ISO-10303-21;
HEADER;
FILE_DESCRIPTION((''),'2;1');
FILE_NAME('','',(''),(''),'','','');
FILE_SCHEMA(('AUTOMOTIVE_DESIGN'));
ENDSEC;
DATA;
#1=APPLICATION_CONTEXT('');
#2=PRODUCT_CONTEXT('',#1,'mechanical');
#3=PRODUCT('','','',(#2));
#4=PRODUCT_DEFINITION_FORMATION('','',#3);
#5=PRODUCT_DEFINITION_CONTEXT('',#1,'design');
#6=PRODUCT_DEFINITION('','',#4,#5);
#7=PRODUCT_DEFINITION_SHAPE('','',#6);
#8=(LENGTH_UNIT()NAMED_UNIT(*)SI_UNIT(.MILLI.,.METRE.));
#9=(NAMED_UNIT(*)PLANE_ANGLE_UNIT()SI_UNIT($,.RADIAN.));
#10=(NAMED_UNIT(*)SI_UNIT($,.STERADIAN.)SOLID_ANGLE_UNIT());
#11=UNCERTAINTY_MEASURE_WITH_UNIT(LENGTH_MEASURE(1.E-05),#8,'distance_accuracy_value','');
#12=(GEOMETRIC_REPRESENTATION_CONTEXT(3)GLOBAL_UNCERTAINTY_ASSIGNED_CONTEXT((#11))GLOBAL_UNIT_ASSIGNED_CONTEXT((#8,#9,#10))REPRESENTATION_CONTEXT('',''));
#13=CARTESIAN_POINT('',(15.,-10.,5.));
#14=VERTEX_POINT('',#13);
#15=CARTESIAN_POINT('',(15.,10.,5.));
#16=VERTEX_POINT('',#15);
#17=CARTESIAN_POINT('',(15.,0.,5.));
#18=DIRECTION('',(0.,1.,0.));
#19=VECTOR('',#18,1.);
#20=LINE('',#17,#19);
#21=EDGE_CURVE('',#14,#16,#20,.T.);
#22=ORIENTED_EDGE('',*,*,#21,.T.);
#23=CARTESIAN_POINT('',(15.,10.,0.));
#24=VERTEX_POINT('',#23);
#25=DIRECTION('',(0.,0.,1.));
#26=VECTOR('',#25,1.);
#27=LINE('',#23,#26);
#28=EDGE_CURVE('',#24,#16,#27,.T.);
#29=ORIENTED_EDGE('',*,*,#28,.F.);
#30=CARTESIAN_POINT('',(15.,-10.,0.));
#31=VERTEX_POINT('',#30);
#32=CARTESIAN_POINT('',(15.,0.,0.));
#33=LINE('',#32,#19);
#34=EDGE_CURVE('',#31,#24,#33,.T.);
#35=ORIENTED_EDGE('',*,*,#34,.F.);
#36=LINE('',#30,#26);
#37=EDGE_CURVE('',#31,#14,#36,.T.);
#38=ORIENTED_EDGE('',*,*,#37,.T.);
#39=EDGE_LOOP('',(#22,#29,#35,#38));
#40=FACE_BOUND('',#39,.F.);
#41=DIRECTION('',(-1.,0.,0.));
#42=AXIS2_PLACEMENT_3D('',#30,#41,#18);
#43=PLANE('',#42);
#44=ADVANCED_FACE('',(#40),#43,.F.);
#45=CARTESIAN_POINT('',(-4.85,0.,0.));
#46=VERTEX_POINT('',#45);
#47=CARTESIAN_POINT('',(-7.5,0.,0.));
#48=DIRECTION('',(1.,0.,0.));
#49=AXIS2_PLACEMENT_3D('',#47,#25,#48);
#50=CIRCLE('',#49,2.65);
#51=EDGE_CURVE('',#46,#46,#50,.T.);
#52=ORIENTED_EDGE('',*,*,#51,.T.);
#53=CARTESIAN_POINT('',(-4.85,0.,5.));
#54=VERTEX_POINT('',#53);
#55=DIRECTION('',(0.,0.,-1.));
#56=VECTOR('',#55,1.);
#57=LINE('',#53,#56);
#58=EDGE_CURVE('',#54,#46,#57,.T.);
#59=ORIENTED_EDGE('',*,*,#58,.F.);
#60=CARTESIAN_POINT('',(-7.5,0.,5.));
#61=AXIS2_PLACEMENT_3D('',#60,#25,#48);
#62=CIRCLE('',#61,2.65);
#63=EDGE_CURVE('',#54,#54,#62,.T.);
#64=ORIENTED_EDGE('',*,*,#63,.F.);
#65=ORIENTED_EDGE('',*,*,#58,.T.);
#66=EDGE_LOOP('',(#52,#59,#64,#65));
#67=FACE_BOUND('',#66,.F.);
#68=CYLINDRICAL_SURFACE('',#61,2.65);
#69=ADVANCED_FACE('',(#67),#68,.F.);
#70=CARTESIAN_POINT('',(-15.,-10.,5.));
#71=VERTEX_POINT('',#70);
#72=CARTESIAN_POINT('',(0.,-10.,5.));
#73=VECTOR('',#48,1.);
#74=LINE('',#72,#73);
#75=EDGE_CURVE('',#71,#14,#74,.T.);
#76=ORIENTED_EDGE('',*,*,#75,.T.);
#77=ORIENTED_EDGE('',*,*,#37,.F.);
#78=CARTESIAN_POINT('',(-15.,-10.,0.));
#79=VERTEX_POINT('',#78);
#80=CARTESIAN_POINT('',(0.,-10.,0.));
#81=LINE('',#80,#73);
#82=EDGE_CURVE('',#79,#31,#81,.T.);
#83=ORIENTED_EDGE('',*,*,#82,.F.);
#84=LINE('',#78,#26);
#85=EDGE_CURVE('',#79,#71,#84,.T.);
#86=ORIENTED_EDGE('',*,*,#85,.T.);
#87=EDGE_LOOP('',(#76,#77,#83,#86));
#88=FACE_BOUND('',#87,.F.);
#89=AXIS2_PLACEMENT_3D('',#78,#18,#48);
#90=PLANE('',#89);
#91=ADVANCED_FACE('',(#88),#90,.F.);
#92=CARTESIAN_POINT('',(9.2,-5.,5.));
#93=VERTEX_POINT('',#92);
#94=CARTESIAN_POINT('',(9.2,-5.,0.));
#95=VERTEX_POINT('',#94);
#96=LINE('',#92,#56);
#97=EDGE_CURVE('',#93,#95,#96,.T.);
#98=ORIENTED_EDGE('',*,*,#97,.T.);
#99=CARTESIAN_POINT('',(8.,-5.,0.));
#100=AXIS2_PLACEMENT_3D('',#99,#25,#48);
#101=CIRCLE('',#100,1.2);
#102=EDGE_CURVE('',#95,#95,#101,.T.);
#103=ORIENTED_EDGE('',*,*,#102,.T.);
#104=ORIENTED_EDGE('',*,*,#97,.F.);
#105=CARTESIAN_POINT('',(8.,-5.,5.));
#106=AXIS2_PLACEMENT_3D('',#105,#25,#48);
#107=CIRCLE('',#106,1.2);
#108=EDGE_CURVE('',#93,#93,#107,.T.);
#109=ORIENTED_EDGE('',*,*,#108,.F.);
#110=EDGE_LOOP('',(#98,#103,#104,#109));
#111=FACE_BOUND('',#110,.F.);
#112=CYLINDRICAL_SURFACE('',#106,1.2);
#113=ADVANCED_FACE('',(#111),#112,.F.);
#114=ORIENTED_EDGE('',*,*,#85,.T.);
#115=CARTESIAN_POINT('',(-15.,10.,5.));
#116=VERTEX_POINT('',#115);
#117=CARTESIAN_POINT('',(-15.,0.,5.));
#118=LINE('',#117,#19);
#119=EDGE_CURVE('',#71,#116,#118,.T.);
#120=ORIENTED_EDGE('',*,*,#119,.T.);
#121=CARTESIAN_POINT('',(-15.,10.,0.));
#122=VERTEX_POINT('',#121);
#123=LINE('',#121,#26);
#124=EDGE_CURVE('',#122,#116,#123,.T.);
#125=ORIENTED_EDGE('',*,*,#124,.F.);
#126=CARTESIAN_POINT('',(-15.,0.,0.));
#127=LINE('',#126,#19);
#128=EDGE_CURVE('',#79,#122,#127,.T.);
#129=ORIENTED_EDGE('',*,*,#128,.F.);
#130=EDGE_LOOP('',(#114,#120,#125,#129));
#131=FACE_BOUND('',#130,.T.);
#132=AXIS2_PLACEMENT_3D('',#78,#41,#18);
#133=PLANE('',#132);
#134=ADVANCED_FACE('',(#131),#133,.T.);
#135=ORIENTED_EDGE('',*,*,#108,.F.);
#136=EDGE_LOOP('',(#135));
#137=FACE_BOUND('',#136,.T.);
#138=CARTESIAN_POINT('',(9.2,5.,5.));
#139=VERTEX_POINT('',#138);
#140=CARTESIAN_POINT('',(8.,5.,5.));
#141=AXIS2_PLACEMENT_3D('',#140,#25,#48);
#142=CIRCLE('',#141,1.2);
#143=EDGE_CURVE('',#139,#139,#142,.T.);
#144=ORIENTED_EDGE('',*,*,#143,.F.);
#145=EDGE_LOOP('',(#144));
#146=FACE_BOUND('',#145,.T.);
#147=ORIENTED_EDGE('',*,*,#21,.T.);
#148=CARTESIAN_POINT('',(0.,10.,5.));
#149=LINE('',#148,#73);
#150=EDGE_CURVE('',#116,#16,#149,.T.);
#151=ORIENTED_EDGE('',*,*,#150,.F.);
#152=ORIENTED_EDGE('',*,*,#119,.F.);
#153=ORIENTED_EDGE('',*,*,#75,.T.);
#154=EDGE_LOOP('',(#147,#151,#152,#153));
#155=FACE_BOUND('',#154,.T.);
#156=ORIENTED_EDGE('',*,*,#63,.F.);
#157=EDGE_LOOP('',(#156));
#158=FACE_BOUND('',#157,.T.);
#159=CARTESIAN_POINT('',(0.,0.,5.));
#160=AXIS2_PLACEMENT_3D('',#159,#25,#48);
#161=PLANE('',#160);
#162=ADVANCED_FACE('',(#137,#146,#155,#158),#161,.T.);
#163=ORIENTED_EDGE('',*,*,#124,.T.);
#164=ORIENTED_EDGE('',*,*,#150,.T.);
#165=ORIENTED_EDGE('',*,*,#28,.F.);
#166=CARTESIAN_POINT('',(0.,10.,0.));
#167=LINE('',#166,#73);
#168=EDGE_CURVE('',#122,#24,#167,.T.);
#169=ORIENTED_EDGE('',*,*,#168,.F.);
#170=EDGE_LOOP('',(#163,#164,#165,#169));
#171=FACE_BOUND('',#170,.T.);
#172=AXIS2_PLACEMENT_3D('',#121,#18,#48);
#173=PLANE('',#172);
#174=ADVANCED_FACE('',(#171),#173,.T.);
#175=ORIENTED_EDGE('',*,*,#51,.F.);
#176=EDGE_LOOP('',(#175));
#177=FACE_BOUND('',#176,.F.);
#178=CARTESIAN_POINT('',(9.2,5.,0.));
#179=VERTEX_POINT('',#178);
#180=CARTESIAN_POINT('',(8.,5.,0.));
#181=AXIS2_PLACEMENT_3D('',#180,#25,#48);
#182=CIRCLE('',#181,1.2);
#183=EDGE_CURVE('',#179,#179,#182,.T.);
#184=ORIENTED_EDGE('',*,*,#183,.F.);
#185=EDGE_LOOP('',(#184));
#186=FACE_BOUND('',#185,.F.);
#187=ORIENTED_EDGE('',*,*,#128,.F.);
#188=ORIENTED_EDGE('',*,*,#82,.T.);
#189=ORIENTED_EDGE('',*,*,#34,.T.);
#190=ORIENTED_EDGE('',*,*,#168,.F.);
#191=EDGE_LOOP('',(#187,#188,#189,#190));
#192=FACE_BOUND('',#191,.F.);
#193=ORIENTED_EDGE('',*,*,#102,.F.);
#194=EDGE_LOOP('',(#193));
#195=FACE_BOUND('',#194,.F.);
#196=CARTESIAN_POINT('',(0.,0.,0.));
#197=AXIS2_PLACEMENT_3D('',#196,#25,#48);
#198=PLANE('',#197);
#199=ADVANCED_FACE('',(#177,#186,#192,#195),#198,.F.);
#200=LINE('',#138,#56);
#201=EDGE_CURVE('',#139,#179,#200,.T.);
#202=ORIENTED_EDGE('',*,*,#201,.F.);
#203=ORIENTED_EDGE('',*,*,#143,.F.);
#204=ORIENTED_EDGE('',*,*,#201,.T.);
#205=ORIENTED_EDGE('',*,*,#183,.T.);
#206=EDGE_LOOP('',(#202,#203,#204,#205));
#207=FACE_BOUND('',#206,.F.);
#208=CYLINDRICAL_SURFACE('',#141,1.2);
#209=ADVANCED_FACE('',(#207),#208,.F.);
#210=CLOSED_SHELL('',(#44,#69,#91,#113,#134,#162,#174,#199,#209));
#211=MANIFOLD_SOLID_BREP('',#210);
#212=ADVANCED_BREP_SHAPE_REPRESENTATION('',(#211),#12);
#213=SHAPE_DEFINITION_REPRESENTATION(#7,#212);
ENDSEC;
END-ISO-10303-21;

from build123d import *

# Parameters (mm, degrees)
SKETCH_W        = 30
SKETCH_H        = 20
PAD_DEPTH       = 5
SKETCH001_R     = 1.2
POCKET_DEPTH    = 5
SKETCH002_R     = 2.65
POCKET001_DEPTH = 5


with BuildPart() as part:
    # Sketch → Pad (new body)
    with BuildSketch(Plane.XY):
        Rectangle(SKETCH_W, SKETCH_H)
    extrude(amount=PAD_DEPTH)

    # Sketch001 (on Face6 of Pad) → Pocket (cut)
    with BuildSketch(Plane.XY.offset(5)):
        with Locations((8, 5)):
            Circle(SKETCH001_R)
        with Locations((8, -5)):
            Circle(SKETCH001_R)
    extrude(amount=-POCKET_DEPTH, mode=Mode.SUBTRACT)

    # Sketch002 (on Face5 of Pocket) → Pocket001 (cut)
    with BuildSketch(Plane.XY.offset(5)):
        with Locations((-7.5, 0)):
            Circle(SKETCH002_R)
    extrude(amount=-POCKET001_DEPTH, mode=Mode.SUBTRACT)


solid = part.part
